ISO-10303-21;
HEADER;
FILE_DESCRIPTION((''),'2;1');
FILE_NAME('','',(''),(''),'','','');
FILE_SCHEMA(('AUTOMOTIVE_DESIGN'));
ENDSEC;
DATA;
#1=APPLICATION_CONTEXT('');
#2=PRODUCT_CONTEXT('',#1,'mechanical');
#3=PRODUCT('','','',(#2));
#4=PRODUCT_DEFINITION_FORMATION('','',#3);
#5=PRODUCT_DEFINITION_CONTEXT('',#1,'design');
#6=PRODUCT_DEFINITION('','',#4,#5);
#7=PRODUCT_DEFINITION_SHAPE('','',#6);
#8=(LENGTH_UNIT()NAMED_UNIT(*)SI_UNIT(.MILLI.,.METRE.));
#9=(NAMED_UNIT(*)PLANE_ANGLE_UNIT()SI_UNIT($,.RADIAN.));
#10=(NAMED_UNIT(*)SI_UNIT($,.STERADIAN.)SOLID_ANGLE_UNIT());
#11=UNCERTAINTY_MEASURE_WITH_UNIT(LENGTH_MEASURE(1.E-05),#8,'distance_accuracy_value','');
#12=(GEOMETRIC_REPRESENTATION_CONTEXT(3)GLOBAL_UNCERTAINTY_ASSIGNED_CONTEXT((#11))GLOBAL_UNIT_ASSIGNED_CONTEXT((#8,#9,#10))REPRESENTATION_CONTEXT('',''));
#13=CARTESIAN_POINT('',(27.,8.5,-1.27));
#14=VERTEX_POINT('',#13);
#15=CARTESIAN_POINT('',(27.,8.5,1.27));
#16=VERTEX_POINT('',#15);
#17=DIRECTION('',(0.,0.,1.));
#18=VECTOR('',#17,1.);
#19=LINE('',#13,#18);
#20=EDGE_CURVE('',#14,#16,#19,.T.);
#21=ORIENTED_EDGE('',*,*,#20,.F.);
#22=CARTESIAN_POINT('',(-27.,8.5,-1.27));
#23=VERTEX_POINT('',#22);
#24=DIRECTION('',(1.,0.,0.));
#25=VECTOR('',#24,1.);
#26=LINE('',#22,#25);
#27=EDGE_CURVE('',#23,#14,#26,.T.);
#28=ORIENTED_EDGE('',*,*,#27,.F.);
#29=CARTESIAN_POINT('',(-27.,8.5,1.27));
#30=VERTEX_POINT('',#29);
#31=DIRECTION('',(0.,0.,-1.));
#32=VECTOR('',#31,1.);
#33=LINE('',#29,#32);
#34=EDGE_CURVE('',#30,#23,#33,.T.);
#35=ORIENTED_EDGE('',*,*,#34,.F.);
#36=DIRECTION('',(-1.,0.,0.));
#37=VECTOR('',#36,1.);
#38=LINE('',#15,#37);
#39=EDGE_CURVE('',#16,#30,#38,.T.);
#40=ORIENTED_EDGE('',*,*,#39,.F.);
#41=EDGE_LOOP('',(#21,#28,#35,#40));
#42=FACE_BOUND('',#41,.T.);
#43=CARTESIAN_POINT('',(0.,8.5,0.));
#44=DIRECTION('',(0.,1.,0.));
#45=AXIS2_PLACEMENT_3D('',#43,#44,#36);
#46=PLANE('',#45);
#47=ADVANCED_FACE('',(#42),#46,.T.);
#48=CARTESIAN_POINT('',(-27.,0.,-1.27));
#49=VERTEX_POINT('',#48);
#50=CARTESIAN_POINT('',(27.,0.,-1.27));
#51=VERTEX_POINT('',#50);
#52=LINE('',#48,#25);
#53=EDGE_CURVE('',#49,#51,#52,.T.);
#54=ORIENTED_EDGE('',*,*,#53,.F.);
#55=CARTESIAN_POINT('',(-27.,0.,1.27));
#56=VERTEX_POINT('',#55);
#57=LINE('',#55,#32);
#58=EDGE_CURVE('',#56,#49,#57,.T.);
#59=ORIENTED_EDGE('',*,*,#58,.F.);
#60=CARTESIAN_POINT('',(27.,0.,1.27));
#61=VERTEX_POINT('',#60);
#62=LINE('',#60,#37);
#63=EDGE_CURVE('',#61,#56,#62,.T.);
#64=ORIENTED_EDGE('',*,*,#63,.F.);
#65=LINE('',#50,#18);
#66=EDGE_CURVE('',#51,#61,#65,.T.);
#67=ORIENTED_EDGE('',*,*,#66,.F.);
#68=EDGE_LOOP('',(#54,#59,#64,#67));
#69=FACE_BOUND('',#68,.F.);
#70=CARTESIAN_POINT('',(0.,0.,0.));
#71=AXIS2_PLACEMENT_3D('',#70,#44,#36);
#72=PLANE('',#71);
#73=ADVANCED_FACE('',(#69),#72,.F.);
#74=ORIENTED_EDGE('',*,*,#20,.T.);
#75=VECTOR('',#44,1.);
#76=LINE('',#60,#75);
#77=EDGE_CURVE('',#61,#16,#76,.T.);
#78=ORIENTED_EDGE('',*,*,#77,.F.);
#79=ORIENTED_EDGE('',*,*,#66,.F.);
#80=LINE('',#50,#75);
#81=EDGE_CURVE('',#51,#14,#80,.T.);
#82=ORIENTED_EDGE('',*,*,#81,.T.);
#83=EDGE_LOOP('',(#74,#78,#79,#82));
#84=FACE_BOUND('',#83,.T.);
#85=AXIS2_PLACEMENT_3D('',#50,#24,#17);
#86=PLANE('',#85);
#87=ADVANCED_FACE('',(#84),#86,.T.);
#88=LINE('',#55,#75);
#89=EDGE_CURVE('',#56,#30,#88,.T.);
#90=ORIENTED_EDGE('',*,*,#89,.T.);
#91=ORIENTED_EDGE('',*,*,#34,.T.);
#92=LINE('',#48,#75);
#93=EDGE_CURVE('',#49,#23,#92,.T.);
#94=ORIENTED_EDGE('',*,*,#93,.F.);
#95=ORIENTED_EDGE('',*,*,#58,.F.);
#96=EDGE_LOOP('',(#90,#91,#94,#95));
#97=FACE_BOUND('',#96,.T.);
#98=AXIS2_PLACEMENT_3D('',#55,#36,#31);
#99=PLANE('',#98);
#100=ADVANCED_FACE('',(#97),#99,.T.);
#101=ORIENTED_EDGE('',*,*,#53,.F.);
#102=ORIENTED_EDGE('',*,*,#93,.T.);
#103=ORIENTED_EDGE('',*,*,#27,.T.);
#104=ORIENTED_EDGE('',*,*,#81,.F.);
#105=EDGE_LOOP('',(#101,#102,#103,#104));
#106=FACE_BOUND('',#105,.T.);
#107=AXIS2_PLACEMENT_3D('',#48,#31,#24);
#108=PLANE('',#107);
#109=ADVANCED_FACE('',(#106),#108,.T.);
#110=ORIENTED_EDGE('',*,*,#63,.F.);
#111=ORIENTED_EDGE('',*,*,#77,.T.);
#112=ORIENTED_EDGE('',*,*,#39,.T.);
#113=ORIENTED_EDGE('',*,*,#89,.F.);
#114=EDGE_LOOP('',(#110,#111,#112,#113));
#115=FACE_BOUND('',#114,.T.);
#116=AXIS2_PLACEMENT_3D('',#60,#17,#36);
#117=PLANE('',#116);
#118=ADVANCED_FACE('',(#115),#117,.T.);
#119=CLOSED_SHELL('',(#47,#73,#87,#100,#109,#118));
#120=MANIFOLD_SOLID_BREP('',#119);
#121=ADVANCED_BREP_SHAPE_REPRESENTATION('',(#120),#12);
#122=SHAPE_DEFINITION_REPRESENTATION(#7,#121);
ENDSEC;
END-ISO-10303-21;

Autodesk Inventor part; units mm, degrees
ref_plane "YZ Plane" through (0, 0, 0) normal (1, 0, 0) x (0, 1, 0)
ref_plane "XZ Plane" through (0, 0, 0) normal (0, 1, 0) x (-1, 0, 0)
ref_plane "XY Plane" through (0, 0, 0) normal (0, 0, 1) x (1, 0, 0)
sketch "Sketch1" plane through (0, 0, 0) normal (0, 1, 0) x (-1, 0, 0)
  line L0 (-27, 1.27) -> (27, 1.27)
  line L1 (27, 1.27) -> (27, -1.27)
  line L2 (27, -1.27) -> (-27, -1.27)
  line L3 (-27, -1.27) -> (-27, 1.27)
  line L4 (-27, 1.27) -> (27, -1.27) construction
  line L5 (27, 1.27) -> (-27, -1.27) construction
  point P0 (0, 0)
  dimension "d0" = 54
  dimension "d1" = 2.54
extrude "Extrusion1" add sketch "Sketch1" along normal blind 8.5
properties part number "socket_pcb"
